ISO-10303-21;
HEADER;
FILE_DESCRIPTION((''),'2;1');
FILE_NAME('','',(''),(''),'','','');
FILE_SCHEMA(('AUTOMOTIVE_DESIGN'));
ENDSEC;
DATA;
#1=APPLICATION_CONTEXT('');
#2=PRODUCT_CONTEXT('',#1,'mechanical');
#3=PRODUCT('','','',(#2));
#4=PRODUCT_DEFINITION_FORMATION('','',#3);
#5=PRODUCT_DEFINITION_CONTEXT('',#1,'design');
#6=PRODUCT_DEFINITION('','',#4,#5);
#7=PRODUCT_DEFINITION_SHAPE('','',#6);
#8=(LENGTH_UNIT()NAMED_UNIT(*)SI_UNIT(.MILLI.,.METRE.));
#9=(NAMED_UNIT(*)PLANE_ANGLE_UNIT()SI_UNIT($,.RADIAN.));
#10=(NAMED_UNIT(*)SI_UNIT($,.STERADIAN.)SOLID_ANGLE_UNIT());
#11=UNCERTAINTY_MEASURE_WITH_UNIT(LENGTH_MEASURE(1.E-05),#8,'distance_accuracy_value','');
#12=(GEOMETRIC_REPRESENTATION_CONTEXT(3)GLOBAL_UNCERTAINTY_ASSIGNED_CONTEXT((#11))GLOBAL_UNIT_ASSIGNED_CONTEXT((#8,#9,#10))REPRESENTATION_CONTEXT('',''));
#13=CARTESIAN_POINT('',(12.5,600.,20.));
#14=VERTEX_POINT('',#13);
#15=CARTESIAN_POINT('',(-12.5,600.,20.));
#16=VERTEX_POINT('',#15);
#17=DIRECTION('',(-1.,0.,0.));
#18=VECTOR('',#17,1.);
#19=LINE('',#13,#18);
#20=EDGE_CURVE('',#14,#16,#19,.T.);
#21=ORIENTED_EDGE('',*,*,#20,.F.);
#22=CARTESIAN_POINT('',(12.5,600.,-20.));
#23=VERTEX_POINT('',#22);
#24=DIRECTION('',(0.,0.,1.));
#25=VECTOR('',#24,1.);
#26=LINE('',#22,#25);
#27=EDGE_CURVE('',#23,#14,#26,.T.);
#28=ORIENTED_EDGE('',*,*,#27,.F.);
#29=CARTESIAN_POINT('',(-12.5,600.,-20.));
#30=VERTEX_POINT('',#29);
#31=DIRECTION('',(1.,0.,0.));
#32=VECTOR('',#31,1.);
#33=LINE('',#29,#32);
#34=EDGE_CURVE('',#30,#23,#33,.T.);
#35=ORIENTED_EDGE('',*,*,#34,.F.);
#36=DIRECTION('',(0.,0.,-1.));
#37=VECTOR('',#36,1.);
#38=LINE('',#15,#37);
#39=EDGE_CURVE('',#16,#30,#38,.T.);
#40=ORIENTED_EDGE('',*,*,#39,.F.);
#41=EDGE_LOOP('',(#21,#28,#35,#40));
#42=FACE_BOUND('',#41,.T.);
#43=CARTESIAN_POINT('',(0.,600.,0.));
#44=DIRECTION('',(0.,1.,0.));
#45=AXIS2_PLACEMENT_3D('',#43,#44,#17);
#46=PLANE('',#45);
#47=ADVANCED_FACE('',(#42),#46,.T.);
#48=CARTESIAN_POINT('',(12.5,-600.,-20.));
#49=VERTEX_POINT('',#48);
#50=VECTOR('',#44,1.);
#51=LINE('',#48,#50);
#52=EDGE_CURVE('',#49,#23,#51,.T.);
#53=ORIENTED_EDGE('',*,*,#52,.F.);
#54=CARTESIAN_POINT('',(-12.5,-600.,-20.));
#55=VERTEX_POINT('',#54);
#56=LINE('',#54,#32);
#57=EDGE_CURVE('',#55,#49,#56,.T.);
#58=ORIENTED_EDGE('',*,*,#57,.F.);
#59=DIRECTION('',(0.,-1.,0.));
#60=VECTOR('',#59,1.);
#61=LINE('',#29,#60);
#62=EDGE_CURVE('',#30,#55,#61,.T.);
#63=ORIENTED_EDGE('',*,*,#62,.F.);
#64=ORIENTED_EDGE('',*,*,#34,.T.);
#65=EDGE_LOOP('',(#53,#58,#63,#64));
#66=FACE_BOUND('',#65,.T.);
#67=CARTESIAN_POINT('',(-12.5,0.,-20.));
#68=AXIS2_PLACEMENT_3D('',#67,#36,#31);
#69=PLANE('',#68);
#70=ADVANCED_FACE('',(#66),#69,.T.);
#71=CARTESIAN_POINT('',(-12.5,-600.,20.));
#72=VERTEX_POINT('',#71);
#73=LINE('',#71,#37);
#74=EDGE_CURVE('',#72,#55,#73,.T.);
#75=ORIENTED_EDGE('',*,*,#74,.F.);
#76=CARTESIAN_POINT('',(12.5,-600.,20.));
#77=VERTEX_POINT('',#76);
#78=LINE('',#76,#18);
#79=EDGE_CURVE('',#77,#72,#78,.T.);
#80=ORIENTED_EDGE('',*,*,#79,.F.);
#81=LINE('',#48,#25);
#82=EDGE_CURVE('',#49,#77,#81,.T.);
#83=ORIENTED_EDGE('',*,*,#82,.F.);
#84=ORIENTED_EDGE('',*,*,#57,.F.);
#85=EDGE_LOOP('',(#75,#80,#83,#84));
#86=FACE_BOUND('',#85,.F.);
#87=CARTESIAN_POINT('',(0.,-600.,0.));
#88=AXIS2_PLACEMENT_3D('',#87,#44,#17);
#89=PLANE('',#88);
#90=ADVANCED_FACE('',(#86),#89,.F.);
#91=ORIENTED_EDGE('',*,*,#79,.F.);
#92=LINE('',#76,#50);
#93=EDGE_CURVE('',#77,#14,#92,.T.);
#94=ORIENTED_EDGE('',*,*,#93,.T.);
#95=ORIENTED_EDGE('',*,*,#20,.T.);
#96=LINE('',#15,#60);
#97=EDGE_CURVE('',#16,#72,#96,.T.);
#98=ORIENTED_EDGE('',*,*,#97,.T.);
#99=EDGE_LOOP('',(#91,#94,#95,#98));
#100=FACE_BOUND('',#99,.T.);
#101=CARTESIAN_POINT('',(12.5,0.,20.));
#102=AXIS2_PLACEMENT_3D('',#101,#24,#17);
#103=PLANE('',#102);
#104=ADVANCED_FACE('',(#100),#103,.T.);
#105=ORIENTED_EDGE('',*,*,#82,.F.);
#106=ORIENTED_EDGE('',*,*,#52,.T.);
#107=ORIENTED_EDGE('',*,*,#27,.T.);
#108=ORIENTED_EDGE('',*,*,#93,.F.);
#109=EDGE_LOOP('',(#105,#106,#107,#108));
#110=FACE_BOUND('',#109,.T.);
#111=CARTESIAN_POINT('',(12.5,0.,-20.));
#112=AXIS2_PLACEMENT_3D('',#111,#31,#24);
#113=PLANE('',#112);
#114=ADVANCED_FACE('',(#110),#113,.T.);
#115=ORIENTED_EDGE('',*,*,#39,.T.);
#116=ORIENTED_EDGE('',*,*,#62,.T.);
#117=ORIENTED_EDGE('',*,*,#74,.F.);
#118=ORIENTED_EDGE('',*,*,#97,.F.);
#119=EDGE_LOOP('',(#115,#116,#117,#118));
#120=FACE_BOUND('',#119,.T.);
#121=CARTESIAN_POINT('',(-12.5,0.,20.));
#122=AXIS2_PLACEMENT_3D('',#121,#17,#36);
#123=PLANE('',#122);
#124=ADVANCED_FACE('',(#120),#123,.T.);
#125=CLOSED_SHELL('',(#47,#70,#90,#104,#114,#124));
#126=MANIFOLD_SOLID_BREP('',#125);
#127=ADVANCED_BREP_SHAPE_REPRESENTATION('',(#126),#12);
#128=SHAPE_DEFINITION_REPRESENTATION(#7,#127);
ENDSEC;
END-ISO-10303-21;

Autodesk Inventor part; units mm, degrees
ref_plane "YZ Plane" through (0, 0, 0) normal (1, 0, 0) x (0, 1, 0)
ref_plane "XZ Plane" through (0, 0, 0) normal (0, 1, 0) x (-1, 0, 0)
ref_plane "XY Plane" through (0, 0, 0) normal (0, 0, 1) x (1, 0, 0)
sketch "Esboço1" plane through (0, 0, 0) normal (0, 1, 0) x (-1, 0, 0)
  line L0 (-12.5, 20) -> (12.5, 20)
  line L1 (12.5, 20) -> (12.5, -20)
  line L2 (12.5, -20) -> (-12.5, -20)
  line L3 (-12.5, -20) -> (-12.5, 20)
  line L4 (-12.5, 20) -> (12.5, -20) construction
  line L5 (12.5, 20) -> (-12.5, -20) construction
  point P0 (0, 0)
  dimension "lenght" = 25
  dimension "widht" = 40
extrude "Extrusão1" add sketch "Esboço1" along normal mid plane 1200
equation "\"lenght\" = RIP_L"
equation "\"widht\" = RIP_H"
equation "\"d2\" = HEIGHT"
equation "\"HEIGHT\" = 1200"
equation "\"RIP_H\" = 40"
equation "\"RIP_L\" = 25"
properties part number "feet" material "Madeira"
